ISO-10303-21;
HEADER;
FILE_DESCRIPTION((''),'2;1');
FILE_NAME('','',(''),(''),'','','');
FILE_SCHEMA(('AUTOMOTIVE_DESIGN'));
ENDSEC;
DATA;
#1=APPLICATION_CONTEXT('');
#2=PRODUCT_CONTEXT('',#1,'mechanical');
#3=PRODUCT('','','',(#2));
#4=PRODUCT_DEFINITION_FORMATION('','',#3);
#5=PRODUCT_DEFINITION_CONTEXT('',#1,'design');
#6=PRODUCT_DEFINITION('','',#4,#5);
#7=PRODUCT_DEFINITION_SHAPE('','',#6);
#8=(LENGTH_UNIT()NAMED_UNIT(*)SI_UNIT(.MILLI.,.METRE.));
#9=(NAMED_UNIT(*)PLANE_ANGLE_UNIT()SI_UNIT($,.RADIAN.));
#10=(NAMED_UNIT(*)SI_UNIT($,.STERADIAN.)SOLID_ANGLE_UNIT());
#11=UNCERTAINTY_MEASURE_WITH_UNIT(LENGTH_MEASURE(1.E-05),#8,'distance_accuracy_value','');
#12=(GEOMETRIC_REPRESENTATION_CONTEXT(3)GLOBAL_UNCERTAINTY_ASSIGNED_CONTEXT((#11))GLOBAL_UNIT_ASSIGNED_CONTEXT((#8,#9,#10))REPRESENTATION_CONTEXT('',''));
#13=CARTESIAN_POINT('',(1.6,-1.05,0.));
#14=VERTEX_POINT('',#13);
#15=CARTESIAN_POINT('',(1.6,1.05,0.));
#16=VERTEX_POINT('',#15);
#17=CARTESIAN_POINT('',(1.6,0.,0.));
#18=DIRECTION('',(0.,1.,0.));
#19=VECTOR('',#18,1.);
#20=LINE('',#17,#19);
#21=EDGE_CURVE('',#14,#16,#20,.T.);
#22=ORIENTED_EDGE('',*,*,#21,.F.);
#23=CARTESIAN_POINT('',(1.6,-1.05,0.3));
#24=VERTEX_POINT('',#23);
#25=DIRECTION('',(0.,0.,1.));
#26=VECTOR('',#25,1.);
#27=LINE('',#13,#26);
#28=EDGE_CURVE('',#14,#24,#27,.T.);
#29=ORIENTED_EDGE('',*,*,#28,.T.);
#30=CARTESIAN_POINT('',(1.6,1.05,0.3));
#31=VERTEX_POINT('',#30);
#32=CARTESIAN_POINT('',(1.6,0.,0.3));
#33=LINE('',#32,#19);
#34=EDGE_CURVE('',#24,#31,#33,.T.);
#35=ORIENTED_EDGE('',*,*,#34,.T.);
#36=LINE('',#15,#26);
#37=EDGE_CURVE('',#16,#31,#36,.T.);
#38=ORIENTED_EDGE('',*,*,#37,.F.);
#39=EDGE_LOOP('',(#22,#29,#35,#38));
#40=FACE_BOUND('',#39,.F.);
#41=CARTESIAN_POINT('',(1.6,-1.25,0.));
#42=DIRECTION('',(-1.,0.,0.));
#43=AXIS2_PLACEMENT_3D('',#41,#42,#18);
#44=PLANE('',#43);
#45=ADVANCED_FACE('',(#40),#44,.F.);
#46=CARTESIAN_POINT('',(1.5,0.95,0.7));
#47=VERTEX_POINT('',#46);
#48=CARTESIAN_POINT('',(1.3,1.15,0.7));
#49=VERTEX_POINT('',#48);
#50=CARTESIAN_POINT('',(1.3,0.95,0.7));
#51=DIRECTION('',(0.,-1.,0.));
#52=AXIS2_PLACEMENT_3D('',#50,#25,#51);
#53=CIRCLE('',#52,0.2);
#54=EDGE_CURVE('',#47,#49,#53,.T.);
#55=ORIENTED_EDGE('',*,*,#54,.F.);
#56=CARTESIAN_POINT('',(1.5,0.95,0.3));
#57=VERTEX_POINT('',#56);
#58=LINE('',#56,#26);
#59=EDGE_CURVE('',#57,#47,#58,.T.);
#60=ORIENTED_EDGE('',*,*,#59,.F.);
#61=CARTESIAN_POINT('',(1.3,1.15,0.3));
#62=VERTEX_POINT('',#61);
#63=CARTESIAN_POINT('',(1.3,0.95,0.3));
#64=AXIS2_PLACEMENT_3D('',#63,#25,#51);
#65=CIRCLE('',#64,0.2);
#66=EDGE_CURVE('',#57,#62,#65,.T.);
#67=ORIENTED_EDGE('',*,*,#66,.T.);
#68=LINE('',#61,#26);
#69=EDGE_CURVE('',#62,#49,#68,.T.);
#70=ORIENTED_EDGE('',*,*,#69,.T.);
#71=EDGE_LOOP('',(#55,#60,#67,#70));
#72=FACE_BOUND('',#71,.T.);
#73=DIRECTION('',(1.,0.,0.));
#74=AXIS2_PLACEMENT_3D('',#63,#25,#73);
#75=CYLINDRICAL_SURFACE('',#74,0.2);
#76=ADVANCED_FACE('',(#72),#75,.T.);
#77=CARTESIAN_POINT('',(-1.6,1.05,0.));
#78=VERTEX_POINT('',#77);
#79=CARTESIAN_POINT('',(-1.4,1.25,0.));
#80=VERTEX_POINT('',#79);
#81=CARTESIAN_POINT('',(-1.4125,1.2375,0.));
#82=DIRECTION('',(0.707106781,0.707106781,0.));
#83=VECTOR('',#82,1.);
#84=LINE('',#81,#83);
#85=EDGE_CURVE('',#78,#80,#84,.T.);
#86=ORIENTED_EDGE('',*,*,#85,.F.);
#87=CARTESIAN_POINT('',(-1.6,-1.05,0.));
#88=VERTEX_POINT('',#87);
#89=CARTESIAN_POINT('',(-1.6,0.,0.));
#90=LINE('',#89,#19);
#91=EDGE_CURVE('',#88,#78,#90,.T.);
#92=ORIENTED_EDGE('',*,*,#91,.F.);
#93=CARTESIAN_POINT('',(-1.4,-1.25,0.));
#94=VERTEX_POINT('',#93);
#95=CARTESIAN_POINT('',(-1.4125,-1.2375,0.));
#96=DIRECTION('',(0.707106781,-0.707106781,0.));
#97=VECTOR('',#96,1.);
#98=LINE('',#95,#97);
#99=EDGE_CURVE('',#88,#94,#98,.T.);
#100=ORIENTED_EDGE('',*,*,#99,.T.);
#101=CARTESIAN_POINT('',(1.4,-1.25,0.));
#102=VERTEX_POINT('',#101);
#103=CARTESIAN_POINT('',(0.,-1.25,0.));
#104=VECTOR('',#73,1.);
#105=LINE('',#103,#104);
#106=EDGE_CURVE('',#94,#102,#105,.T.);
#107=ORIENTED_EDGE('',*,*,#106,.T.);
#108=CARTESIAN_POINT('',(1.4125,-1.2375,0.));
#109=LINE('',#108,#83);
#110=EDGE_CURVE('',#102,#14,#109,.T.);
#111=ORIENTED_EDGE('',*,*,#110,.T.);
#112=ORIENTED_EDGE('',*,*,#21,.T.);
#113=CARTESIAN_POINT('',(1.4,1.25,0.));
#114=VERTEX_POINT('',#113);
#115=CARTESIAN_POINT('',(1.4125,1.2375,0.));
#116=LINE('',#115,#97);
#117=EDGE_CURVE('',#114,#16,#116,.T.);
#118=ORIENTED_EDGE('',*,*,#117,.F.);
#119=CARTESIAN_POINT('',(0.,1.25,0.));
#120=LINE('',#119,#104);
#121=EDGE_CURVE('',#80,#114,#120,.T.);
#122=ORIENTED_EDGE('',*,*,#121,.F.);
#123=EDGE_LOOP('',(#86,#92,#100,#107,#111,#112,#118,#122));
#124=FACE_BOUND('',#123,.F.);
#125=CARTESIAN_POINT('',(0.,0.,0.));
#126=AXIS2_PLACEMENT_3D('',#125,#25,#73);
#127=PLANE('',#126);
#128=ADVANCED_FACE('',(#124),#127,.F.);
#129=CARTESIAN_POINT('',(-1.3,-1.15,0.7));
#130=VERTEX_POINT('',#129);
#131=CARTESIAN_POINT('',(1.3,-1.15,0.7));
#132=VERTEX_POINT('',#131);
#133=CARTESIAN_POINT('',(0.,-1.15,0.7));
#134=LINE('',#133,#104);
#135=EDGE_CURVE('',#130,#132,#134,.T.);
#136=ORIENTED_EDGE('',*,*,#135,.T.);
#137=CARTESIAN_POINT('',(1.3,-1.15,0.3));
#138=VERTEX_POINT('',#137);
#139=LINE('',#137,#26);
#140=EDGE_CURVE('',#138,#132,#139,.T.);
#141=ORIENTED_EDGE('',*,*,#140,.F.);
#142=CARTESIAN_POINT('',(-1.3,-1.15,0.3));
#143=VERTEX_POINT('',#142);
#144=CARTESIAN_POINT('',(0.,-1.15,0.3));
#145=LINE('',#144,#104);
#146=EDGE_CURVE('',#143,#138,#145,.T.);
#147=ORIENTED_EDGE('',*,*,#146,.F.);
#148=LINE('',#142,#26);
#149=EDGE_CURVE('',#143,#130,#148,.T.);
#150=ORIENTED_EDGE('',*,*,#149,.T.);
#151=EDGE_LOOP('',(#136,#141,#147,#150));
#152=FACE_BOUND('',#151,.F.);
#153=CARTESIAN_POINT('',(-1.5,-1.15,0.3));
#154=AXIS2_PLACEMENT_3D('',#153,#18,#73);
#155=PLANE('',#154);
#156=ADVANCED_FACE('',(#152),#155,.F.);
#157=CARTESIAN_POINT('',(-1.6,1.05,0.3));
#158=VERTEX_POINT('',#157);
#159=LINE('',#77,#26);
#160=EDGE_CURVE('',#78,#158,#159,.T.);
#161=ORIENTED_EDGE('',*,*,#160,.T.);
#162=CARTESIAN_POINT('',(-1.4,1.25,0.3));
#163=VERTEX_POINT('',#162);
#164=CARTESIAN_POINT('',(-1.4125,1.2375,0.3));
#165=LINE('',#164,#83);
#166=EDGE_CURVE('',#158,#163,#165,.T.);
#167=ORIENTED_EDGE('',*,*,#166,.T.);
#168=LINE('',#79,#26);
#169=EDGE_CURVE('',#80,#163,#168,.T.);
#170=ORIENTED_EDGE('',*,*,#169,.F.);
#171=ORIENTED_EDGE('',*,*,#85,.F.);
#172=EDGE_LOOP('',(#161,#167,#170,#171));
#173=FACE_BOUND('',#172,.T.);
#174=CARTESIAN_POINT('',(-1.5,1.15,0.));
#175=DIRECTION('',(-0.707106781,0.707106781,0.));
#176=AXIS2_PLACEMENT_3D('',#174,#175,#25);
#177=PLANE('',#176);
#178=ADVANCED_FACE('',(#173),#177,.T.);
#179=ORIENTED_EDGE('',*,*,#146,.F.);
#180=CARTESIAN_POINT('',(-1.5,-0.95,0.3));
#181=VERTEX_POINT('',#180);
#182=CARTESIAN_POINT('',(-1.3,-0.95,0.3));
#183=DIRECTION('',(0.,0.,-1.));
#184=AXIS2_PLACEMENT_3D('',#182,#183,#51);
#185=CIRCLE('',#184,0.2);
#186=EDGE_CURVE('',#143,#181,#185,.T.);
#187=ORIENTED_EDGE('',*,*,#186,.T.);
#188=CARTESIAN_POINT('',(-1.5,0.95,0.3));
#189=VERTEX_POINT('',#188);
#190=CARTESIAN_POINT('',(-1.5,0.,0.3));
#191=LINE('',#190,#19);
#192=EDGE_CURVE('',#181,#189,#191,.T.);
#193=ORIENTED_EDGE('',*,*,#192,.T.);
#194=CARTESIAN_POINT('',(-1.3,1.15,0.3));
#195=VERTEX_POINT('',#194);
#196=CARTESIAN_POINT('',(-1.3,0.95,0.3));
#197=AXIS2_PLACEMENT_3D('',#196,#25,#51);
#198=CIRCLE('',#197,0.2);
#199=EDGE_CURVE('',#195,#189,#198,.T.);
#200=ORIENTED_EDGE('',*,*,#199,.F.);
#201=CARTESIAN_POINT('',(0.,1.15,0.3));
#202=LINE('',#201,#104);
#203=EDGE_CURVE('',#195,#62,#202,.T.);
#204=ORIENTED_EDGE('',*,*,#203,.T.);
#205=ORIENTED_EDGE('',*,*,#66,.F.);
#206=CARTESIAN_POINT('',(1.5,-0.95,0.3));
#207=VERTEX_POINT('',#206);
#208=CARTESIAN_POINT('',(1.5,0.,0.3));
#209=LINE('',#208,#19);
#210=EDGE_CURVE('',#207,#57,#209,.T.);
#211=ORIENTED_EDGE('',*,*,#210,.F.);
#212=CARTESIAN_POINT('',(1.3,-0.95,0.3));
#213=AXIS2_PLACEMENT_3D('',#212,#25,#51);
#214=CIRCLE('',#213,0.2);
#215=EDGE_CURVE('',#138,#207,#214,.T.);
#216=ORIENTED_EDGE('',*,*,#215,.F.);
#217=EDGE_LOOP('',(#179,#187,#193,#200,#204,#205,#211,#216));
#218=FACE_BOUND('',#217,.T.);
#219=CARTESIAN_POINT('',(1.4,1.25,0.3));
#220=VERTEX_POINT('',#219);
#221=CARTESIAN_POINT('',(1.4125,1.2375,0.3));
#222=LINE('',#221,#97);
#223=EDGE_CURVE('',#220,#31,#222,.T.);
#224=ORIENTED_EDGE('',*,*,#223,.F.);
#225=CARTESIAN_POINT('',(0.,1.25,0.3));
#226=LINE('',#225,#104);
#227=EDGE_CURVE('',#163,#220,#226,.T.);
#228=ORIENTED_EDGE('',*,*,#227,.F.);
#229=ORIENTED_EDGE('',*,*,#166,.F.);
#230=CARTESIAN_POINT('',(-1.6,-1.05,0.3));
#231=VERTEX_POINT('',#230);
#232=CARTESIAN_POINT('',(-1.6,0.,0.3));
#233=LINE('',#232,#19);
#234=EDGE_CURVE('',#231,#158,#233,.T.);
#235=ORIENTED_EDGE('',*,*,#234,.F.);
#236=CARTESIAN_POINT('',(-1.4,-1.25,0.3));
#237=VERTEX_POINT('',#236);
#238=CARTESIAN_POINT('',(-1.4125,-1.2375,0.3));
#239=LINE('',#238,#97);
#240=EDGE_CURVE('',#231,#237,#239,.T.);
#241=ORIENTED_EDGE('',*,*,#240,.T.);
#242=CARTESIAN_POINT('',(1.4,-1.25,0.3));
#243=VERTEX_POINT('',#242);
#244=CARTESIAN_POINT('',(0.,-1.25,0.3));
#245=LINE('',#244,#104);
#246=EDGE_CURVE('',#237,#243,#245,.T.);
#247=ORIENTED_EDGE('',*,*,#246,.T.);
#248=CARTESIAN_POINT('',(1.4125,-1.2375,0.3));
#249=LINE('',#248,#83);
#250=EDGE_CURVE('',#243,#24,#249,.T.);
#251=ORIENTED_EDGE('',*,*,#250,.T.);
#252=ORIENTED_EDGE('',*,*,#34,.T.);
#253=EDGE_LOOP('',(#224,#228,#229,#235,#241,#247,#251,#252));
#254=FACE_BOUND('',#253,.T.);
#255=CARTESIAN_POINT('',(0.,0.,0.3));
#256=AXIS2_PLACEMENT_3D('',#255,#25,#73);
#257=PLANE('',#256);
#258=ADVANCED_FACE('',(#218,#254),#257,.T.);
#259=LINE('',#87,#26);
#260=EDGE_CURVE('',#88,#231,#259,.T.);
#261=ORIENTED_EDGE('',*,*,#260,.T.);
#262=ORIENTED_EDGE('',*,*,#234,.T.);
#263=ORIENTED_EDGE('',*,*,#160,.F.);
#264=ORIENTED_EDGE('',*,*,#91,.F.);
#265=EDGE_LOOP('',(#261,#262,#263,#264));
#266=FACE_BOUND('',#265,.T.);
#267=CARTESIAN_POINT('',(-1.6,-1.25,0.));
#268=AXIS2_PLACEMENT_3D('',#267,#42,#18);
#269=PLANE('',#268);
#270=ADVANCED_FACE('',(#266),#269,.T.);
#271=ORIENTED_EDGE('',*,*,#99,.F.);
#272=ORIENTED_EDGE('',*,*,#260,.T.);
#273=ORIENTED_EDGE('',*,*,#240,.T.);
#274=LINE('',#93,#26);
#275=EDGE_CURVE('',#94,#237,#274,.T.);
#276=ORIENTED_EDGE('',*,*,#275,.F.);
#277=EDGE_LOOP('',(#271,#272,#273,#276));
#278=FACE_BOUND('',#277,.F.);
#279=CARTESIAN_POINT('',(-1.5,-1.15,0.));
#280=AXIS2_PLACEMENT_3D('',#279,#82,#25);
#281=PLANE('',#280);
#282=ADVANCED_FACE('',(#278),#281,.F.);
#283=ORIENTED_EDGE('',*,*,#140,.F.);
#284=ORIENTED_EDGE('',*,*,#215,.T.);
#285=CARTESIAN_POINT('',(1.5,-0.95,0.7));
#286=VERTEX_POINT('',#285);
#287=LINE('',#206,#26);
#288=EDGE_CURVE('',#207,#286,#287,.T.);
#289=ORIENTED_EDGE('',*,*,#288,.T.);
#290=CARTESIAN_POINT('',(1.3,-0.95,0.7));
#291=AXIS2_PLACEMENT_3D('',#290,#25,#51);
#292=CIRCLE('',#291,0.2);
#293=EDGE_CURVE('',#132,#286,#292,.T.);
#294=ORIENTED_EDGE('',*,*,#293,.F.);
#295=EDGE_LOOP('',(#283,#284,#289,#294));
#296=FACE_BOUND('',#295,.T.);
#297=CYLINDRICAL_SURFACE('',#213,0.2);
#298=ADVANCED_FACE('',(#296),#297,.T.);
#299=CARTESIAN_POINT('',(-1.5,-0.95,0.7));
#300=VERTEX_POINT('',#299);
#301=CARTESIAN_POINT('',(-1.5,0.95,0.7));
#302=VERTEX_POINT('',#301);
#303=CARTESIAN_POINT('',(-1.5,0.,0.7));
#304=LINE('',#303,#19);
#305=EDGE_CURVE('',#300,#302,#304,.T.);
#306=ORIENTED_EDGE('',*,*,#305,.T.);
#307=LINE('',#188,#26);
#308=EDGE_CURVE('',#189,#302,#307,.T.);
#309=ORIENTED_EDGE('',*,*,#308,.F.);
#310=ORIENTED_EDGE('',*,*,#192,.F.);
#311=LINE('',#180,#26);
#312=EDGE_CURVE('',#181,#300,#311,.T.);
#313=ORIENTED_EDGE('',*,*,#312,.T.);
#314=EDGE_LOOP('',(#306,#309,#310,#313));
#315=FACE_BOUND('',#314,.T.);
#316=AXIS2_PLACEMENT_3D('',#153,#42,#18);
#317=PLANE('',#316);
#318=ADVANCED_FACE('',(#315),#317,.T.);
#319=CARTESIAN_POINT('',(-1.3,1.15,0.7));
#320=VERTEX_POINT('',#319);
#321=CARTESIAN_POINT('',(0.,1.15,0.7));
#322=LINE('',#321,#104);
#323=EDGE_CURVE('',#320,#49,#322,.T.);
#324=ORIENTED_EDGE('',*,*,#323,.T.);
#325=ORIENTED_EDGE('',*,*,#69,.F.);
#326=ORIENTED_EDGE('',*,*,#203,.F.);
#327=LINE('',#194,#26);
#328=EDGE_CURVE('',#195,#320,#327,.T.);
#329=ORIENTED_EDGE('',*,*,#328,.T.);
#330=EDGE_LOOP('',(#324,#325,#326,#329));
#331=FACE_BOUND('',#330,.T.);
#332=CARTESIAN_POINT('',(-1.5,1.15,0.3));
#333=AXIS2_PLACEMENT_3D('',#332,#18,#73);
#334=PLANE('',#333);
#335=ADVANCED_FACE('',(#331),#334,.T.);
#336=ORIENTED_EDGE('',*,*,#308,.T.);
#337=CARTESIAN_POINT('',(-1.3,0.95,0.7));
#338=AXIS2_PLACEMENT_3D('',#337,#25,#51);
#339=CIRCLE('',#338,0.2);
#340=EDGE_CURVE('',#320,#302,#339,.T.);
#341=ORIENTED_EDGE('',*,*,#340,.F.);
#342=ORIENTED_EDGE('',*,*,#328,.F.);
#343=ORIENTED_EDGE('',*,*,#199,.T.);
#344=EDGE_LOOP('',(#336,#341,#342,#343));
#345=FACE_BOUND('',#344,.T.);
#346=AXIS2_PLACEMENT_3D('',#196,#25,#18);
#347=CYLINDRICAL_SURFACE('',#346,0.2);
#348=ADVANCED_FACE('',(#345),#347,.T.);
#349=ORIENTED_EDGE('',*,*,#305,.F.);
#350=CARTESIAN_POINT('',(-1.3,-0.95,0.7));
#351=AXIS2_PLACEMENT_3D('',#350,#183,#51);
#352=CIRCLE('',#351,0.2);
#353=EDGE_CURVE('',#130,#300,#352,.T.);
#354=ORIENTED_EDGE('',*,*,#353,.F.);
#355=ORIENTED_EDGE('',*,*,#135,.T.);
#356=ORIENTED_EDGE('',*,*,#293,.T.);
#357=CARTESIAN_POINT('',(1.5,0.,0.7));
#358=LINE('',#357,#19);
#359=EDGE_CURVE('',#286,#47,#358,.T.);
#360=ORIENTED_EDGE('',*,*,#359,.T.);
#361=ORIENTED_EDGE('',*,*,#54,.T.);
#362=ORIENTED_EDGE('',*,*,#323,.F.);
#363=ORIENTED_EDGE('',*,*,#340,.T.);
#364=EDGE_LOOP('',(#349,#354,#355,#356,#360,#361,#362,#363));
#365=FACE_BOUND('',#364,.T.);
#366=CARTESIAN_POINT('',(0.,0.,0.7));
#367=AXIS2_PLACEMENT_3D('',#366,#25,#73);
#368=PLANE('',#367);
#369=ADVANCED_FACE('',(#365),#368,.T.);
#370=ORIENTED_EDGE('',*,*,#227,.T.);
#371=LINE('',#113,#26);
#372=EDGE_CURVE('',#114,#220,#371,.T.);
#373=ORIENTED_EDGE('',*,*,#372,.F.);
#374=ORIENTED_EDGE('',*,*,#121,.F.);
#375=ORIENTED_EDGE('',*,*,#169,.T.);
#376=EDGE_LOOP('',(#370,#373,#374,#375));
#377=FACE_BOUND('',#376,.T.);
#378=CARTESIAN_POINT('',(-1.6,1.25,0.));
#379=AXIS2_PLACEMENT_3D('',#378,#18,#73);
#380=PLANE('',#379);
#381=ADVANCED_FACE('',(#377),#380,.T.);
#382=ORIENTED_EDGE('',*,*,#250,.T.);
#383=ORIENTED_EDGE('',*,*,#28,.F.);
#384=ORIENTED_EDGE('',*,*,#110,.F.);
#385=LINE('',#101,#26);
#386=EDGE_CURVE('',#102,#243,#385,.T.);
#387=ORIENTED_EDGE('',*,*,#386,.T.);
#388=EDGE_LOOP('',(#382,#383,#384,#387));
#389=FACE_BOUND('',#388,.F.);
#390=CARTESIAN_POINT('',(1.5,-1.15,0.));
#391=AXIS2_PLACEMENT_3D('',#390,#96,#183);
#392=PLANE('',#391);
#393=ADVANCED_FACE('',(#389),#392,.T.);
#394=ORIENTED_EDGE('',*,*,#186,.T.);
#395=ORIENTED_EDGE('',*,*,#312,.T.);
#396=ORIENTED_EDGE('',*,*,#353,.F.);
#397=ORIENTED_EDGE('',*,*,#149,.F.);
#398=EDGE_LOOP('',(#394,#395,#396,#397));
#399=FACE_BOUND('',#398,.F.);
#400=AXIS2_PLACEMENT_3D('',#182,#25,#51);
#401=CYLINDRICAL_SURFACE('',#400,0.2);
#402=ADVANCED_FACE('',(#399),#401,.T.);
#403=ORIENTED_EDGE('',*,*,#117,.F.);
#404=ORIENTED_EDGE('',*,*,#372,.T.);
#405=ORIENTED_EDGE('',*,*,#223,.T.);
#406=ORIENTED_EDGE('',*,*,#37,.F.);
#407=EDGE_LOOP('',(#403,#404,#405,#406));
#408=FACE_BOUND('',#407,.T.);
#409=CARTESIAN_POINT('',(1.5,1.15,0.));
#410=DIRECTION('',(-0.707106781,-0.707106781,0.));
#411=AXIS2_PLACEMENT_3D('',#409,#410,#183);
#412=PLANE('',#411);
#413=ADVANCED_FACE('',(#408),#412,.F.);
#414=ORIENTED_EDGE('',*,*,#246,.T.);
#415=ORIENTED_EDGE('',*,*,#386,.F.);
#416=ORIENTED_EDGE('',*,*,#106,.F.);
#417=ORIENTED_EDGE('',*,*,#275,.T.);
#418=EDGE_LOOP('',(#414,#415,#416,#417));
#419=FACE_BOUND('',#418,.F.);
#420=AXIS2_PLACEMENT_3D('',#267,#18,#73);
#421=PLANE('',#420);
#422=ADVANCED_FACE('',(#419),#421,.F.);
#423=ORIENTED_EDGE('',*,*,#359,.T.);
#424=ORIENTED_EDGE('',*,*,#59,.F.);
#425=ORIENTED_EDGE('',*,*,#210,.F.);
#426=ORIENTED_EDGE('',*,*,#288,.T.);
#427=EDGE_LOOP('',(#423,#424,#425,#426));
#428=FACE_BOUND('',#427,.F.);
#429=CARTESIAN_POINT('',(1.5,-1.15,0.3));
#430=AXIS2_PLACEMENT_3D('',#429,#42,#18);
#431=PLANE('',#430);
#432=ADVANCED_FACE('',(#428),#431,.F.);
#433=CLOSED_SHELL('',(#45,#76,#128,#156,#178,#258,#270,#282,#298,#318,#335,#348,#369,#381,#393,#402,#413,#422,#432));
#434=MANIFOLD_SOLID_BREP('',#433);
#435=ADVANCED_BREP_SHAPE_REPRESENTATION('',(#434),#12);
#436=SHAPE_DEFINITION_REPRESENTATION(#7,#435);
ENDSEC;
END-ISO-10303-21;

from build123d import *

# Parameters (mm, degrees)
F0_W     = 3.2
F0_H     = 2.5
F1_DEPTH = 0.3
F2_W     = 3
F2_H     = 2.3
F3_DEPTH = 0.4
F4_R     = 0.2
F5_SIZE  = 0.2


with BuildPart() as f1:
    # F0 (on Top) → F1 (new body)
    with BuildSketch(Plane.XY):
        Rectangle(F0_W, F0_H)
    extrude(amount=F1_DEPTH)

    # F2 (on face) → F3 (join)
    with BuildSketch(Plane.XY.offset(0.3)):
        Rectangle(F2_W, F2_H)
    extrude(amount=F3_DEPTH)

    # F4
    f4_edges = [f1.edges().sort_by_distance(p)[0] for p in [
        (1.5, 1.15, 0.5),
        (1.5, -1.15, 0.5),
        (-1.5, -1.15, 0.5),
        (-1.5, 1.15, 0.5),
    ]]
    fillet(f4_edges, radius=F4_R)

    # F5
    f5_edges = [f1.edges().sort_by_distance(p)[0] for p in [
        (-1.6, -1.25, 0.15),
        (-1.6, 1.25, 0.15),
        (1.6, -1.25, 0.15),
        (1.6, 1.25, 0.15),
    ]]
    chamfer(f5_edges, length=F5_SIZE)


solid = f1.part
